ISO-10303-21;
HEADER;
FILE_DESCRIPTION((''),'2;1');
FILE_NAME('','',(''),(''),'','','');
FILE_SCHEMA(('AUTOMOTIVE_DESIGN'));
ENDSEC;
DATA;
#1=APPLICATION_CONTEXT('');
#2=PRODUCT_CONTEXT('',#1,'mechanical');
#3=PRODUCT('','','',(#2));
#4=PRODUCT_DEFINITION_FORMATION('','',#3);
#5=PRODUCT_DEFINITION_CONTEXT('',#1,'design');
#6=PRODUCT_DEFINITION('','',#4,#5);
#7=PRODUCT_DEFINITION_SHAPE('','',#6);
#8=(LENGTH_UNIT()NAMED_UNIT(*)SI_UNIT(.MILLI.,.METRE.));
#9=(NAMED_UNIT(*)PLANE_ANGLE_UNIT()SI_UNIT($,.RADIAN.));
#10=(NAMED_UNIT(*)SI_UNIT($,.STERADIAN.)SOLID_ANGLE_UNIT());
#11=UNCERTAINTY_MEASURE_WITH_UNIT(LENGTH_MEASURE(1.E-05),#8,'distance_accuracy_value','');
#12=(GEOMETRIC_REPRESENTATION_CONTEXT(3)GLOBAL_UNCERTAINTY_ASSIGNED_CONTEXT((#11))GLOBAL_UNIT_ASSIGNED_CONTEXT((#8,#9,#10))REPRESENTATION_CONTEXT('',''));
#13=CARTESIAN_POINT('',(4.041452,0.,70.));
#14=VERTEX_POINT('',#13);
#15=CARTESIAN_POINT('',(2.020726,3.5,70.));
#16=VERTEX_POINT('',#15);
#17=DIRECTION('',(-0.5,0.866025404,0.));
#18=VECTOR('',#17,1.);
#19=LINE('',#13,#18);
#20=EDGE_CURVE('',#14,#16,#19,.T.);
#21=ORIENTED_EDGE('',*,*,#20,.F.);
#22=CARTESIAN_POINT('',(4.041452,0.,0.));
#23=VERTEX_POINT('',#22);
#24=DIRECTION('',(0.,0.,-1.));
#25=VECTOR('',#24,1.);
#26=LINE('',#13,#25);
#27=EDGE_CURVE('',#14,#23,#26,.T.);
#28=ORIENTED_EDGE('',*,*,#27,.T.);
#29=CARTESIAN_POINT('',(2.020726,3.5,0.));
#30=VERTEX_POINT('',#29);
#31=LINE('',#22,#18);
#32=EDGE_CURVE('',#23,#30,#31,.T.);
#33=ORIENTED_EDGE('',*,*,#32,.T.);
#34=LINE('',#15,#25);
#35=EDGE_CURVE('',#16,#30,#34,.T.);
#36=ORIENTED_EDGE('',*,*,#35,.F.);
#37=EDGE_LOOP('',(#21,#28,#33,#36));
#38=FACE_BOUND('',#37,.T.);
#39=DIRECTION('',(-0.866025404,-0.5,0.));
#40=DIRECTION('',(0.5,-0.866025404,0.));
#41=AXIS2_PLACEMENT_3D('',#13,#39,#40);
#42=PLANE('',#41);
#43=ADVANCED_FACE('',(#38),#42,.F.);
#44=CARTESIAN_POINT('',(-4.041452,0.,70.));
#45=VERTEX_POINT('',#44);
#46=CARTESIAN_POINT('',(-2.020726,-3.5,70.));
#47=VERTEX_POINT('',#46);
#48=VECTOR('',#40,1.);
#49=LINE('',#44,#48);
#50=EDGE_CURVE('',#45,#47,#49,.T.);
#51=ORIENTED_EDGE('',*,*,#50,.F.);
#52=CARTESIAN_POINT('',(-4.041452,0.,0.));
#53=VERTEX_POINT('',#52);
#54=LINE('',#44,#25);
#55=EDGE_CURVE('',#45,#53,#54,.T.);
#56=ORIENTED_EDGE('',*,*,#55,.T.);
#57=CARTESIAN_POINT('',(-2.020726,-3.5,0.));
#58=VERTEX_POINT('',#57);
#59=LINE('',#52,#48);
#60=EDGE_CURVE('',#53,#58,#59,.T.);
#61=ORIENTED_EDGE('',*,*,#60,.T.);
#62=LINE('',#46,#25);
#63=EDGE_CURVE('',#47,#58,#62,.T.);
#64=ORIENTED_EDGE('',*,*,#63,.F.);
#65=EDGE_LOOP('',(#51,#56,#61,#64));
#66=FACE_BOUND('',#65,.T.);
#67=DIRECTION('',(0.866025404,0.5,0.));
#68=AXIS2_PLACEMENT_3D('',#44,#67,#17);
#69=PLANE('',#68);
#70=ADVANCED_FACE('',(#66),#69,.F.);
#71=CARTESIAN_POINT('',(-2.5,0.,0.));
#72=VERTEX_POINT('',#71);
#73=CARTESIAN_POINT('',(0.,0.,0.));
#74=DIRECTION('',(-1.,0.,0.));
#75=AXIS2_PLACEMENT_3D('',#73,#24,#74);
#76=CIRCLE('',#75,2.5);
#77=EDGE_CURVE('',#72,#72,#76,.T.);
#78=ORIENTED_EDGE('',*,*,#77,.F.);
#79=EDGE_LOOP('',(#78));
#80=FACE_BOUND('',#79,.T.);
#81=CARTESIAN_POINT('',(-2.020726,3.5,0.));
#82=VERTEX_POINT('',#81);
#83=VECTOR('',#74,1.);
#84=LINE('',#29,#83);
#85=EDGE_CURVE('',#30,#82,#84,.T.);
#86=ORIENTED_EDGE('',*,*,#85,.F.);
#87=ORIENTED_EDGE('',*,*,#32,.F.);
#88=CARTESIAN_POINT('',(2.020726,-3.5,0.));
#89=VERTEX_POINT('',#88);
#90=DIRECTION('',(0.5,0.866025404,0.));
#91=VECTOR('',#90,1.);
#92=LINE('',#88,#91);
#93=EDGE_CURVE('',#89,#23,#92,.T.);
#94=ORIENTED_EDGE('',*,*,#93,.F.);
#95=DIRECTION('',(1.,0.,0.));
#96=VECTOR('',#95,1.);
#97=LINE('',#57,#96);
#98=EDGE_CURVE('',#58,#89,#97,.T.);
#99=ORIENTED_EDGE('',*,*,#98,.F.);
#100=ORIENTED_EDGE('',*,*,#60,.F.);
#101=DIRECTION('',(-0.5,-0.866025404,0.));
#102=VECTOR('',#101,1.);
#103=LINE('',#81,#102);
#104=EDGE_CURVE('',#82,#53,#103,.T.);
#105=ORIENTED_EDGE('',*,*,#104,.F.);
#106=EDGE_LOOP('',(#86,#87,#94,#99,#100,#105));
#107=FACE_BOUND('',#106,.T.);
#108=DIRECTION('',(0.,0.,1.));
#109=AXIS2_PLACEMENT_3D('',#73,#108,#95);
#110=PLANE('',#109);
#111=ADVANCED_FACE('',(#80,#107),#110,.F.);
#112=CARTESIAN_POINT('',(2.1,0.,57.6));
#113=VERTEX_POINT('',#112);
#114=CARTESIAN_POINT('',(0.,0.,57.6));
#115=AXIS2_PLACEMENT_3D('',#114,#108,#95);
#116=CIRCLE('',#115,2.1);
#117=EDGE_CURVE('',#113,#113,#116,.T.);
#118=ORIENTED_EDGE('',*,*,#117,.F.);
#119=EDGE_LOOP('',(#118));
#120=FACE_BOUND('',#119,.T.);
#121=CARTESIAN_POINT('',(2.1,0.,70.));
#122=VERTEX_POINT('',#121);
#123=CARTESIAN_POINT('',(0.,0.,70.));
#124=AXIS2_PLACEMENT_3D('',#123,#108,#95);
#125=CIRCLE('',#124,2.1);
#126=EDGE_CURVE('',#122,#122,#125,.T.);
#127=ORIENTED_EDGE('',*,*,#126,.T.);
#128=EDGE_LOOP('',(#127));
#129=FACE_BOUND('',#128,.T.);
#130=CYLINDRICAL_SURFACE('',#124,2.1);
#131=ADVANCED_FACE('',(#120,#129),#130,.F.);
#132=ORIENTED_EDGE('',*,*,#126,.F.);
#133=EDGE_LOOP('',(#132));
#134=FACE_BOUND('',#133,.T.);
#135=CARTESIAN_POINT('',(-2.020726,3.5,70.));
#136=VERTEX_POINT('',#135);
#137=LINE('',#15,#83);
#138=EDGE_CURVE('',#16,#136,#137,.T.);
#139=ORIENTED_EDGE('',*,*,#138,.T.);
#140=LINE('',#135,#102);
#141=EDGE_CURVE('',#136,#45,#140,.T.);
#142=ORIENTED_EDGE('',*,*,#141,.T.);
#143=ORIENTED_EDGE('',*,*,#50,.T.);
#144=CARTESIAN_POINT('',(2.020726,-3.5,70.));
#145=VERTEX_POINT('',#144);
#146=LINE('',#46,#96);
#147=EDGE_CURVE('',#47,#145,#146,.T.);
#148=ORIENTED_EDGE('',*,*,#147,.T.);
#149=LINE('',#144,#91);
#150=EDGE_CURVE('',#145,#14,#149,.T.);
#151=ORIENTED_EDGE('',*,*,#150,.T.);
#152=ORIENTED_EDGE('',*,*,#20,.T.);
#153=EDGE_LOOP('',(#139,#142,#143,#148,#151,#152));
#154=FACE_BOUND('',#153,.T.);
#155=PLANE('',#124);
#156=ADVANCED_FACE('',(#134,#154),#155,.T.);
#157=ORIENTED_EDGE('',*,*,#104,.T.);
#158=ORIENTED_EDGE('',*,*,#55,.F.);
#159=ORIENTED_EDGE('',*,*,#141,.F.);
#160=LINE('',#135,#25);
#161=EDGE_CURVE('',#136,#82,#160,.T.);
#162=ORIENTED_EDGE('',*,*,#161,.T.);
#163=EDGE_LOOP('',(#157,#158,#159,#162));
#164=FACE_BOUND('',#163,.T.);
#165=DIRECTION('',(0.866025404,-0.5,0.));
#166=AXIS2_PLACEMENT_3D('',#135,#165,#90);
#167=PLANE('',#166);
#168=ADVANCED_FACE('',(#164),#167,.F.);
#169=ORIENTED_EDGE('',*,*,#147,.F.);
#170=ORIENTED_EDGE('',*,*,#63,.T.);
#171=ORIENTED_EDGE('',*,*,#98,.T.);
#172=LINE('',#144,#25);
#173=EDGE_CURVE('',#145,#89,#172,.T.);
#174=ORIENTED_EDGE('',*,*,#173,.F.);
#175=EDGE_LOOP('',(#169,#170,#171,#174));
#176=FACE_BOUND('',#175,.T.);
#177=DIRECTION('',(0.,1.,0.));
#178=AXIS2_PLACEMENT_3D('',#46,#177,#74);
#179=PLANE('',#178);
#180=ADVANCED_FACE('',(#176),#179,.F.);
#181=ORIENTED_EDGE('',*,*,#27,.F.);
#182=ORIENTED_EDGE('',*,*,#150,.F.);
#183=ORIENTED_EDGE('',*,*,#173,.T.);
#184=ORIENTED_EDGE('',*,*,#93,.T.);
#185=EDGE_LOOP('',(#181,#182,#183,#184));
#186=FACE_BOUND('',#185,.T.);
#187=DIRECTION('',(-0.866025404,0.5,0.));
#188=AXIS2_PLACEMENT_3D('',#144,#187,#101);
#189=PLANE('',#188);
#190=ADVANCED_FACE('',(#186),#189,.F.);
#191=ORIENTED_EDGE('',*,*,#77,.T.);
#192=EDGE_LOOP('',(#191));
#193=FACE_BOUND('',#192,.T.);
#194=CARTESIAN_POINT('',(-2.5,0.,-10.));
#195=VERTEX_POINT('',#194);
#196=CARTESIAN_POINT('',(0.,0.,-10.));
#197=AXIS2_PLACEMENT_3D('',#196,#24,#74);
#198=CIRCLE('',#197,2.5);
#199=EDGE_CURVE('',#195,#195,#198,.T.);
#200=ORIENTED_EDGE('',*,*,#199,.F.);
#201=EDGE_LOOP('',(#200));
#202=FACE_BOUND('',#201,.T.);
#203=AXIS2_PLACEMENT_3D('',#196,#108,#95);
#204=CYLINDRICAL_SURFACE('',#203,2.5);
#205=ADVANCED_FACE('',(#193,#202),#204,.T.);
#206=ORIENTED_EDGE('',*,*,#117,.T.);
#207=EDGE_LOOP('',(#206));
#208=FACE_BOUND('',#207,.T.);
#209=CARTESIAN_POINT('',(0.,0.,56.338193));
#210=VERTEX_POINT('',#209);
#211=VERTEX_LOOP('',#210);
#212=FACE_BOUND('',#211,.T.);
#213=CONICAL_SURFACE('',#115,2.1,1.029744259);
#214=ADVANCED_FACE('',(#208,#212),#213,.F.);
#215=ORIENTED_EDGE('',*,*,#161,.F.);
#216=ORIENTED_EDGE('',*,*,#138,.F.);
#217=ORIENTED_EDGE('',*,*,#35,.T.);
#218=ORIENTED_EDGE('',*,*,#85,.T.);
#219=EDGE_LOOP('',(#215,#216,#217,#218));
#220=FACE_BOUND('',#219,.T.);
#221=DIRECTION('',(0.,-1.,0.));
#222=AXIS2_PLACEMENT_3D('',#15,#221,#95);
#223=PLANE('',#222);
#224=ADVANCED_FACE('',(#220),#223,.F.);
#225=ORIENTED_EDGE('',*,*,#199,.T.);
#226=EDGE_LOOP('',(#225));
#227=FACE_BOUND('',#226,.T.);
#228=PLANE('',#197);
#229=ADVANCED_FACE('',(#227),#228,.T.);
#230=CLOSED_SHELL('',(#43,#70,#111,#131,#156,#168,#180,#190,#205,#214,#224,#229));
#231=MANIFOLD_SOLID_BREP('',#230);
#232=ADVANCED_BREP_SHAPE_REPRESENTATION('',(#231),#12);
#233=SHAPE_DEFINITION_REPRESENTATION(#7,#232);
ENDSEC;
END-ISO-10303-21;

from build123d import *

# Parameters (mm, degrees)
EXTRUDE_1_DEPTH           = 70
SKETCH_4_R                = 2.5
EXTRUDE_2_DEPTH           = 10
M5X0_8_TAPPED_HOLE1_D     = 4.2
M5X0_8_TAPPED_HOLE1_DEPTH = 12.4
M5X0_8_TAPPED_HOLE1_TIP   = 1.2618073


with BuildPart() as part:
    # 草圖1 → 填料-伸長1 (new body)
    with BuildSketch(Plane.XY):
        Polygon((-2.020725942, 3.5), (-4.041451884, 0), (-2.020725942, -3.5), (2.020725942, -3.5), (4.041451884, 0), (2.020725942, 3.5), align=None)
    extrude(amount=EXTRUDE_1_DEPTH)

    # 草圖4 → 填料-伸長2 (add)
    with BuildSketch(Plane(origin=(0, 0, 0), x_dir=(-1, 0, 0), z_dir=(0, 0, -1))):
        Circle(SKETCH_4_R)
    extrude(amount=EXTRUDE_2_DEPTH)

    # M5x0.8 Tapped Hole1
    with Locations(Plane.XY.offset(70)):
        with Locations((0, 0)):
            Hole(M5X0_8_TAPPED_HOLE1_D / 2, depth=M5X0_8_TAPPED_HOLE1_DEPTH)
            with Locations((0, 0, -(M5X0_8_TAPPED_HOLE1_DEPTH + M5X0_8_TAPPED_HOLE1_TIP / 2))):  # 118° drill point
                Cone(0, M5X0_8_TAPPED_HOLE1_D / 2, M5X0_8_TAPPED_HOLE1_TIP, mode=Mode.SUBTRACT)


solid = part.part
